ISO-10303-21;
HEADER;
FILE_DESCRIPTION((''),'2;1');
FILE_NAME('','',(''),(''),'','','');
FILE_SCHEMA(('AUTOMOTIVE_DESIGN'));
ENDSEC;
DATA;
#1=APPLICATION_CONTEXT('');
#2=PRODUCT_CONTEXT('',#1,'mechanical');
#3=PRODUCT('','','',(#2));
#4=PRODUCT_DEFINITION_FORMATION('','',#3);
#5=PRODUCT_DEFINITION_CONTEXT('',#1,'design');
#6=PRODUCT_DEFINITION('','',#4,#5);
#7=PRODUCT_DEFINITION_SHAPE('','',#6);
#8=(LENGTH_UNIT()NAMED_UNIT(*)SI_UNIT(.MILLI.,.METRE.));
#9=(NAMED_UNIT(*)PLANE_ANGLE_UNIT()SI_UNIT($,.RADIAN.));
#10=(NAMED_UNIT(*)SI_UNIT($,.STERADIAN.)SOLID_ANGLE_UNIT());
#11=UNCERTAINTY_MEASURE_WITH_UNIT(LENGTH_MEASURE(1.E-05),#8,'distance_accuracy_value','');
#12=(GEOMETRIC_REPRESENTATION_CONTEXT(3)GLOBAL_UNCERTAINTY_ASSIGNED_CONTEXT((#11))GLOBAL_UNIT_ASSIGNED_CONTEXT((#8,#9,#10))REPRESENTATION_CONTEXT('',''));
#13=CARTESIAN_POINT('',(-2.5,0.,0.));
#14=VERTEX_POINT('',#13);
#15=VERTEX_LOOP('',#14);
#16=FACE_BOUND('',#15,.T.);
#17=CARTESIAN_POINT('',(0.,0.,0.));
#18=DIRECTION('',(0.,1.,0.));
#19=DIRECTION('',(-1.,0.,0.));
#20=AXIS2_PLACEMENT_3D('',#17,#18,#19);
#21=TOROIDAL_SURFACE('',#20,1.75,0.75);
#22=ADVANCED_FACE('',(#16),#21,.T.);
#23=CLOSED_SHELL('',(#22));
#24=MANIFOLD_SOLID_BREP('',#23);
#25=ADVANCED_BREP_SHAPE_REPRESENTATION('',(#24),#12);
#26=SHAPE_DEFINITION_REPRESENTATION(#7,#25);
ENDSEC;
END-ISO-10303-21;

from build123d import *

# Parameters (mm, degrees)
MAINBODYS_R = 0.75


with BuildPart() as part:
    # MainBodyS → MAIN BODY (revolve)
    with BuildSketch(Plane.XY):
        with Locations((1.75, 0)):
            Circle(MAINBODYS_R)
    revolve(axis=Axis((0, 0, 0), (0, -1, 0)))


solid = part.part
